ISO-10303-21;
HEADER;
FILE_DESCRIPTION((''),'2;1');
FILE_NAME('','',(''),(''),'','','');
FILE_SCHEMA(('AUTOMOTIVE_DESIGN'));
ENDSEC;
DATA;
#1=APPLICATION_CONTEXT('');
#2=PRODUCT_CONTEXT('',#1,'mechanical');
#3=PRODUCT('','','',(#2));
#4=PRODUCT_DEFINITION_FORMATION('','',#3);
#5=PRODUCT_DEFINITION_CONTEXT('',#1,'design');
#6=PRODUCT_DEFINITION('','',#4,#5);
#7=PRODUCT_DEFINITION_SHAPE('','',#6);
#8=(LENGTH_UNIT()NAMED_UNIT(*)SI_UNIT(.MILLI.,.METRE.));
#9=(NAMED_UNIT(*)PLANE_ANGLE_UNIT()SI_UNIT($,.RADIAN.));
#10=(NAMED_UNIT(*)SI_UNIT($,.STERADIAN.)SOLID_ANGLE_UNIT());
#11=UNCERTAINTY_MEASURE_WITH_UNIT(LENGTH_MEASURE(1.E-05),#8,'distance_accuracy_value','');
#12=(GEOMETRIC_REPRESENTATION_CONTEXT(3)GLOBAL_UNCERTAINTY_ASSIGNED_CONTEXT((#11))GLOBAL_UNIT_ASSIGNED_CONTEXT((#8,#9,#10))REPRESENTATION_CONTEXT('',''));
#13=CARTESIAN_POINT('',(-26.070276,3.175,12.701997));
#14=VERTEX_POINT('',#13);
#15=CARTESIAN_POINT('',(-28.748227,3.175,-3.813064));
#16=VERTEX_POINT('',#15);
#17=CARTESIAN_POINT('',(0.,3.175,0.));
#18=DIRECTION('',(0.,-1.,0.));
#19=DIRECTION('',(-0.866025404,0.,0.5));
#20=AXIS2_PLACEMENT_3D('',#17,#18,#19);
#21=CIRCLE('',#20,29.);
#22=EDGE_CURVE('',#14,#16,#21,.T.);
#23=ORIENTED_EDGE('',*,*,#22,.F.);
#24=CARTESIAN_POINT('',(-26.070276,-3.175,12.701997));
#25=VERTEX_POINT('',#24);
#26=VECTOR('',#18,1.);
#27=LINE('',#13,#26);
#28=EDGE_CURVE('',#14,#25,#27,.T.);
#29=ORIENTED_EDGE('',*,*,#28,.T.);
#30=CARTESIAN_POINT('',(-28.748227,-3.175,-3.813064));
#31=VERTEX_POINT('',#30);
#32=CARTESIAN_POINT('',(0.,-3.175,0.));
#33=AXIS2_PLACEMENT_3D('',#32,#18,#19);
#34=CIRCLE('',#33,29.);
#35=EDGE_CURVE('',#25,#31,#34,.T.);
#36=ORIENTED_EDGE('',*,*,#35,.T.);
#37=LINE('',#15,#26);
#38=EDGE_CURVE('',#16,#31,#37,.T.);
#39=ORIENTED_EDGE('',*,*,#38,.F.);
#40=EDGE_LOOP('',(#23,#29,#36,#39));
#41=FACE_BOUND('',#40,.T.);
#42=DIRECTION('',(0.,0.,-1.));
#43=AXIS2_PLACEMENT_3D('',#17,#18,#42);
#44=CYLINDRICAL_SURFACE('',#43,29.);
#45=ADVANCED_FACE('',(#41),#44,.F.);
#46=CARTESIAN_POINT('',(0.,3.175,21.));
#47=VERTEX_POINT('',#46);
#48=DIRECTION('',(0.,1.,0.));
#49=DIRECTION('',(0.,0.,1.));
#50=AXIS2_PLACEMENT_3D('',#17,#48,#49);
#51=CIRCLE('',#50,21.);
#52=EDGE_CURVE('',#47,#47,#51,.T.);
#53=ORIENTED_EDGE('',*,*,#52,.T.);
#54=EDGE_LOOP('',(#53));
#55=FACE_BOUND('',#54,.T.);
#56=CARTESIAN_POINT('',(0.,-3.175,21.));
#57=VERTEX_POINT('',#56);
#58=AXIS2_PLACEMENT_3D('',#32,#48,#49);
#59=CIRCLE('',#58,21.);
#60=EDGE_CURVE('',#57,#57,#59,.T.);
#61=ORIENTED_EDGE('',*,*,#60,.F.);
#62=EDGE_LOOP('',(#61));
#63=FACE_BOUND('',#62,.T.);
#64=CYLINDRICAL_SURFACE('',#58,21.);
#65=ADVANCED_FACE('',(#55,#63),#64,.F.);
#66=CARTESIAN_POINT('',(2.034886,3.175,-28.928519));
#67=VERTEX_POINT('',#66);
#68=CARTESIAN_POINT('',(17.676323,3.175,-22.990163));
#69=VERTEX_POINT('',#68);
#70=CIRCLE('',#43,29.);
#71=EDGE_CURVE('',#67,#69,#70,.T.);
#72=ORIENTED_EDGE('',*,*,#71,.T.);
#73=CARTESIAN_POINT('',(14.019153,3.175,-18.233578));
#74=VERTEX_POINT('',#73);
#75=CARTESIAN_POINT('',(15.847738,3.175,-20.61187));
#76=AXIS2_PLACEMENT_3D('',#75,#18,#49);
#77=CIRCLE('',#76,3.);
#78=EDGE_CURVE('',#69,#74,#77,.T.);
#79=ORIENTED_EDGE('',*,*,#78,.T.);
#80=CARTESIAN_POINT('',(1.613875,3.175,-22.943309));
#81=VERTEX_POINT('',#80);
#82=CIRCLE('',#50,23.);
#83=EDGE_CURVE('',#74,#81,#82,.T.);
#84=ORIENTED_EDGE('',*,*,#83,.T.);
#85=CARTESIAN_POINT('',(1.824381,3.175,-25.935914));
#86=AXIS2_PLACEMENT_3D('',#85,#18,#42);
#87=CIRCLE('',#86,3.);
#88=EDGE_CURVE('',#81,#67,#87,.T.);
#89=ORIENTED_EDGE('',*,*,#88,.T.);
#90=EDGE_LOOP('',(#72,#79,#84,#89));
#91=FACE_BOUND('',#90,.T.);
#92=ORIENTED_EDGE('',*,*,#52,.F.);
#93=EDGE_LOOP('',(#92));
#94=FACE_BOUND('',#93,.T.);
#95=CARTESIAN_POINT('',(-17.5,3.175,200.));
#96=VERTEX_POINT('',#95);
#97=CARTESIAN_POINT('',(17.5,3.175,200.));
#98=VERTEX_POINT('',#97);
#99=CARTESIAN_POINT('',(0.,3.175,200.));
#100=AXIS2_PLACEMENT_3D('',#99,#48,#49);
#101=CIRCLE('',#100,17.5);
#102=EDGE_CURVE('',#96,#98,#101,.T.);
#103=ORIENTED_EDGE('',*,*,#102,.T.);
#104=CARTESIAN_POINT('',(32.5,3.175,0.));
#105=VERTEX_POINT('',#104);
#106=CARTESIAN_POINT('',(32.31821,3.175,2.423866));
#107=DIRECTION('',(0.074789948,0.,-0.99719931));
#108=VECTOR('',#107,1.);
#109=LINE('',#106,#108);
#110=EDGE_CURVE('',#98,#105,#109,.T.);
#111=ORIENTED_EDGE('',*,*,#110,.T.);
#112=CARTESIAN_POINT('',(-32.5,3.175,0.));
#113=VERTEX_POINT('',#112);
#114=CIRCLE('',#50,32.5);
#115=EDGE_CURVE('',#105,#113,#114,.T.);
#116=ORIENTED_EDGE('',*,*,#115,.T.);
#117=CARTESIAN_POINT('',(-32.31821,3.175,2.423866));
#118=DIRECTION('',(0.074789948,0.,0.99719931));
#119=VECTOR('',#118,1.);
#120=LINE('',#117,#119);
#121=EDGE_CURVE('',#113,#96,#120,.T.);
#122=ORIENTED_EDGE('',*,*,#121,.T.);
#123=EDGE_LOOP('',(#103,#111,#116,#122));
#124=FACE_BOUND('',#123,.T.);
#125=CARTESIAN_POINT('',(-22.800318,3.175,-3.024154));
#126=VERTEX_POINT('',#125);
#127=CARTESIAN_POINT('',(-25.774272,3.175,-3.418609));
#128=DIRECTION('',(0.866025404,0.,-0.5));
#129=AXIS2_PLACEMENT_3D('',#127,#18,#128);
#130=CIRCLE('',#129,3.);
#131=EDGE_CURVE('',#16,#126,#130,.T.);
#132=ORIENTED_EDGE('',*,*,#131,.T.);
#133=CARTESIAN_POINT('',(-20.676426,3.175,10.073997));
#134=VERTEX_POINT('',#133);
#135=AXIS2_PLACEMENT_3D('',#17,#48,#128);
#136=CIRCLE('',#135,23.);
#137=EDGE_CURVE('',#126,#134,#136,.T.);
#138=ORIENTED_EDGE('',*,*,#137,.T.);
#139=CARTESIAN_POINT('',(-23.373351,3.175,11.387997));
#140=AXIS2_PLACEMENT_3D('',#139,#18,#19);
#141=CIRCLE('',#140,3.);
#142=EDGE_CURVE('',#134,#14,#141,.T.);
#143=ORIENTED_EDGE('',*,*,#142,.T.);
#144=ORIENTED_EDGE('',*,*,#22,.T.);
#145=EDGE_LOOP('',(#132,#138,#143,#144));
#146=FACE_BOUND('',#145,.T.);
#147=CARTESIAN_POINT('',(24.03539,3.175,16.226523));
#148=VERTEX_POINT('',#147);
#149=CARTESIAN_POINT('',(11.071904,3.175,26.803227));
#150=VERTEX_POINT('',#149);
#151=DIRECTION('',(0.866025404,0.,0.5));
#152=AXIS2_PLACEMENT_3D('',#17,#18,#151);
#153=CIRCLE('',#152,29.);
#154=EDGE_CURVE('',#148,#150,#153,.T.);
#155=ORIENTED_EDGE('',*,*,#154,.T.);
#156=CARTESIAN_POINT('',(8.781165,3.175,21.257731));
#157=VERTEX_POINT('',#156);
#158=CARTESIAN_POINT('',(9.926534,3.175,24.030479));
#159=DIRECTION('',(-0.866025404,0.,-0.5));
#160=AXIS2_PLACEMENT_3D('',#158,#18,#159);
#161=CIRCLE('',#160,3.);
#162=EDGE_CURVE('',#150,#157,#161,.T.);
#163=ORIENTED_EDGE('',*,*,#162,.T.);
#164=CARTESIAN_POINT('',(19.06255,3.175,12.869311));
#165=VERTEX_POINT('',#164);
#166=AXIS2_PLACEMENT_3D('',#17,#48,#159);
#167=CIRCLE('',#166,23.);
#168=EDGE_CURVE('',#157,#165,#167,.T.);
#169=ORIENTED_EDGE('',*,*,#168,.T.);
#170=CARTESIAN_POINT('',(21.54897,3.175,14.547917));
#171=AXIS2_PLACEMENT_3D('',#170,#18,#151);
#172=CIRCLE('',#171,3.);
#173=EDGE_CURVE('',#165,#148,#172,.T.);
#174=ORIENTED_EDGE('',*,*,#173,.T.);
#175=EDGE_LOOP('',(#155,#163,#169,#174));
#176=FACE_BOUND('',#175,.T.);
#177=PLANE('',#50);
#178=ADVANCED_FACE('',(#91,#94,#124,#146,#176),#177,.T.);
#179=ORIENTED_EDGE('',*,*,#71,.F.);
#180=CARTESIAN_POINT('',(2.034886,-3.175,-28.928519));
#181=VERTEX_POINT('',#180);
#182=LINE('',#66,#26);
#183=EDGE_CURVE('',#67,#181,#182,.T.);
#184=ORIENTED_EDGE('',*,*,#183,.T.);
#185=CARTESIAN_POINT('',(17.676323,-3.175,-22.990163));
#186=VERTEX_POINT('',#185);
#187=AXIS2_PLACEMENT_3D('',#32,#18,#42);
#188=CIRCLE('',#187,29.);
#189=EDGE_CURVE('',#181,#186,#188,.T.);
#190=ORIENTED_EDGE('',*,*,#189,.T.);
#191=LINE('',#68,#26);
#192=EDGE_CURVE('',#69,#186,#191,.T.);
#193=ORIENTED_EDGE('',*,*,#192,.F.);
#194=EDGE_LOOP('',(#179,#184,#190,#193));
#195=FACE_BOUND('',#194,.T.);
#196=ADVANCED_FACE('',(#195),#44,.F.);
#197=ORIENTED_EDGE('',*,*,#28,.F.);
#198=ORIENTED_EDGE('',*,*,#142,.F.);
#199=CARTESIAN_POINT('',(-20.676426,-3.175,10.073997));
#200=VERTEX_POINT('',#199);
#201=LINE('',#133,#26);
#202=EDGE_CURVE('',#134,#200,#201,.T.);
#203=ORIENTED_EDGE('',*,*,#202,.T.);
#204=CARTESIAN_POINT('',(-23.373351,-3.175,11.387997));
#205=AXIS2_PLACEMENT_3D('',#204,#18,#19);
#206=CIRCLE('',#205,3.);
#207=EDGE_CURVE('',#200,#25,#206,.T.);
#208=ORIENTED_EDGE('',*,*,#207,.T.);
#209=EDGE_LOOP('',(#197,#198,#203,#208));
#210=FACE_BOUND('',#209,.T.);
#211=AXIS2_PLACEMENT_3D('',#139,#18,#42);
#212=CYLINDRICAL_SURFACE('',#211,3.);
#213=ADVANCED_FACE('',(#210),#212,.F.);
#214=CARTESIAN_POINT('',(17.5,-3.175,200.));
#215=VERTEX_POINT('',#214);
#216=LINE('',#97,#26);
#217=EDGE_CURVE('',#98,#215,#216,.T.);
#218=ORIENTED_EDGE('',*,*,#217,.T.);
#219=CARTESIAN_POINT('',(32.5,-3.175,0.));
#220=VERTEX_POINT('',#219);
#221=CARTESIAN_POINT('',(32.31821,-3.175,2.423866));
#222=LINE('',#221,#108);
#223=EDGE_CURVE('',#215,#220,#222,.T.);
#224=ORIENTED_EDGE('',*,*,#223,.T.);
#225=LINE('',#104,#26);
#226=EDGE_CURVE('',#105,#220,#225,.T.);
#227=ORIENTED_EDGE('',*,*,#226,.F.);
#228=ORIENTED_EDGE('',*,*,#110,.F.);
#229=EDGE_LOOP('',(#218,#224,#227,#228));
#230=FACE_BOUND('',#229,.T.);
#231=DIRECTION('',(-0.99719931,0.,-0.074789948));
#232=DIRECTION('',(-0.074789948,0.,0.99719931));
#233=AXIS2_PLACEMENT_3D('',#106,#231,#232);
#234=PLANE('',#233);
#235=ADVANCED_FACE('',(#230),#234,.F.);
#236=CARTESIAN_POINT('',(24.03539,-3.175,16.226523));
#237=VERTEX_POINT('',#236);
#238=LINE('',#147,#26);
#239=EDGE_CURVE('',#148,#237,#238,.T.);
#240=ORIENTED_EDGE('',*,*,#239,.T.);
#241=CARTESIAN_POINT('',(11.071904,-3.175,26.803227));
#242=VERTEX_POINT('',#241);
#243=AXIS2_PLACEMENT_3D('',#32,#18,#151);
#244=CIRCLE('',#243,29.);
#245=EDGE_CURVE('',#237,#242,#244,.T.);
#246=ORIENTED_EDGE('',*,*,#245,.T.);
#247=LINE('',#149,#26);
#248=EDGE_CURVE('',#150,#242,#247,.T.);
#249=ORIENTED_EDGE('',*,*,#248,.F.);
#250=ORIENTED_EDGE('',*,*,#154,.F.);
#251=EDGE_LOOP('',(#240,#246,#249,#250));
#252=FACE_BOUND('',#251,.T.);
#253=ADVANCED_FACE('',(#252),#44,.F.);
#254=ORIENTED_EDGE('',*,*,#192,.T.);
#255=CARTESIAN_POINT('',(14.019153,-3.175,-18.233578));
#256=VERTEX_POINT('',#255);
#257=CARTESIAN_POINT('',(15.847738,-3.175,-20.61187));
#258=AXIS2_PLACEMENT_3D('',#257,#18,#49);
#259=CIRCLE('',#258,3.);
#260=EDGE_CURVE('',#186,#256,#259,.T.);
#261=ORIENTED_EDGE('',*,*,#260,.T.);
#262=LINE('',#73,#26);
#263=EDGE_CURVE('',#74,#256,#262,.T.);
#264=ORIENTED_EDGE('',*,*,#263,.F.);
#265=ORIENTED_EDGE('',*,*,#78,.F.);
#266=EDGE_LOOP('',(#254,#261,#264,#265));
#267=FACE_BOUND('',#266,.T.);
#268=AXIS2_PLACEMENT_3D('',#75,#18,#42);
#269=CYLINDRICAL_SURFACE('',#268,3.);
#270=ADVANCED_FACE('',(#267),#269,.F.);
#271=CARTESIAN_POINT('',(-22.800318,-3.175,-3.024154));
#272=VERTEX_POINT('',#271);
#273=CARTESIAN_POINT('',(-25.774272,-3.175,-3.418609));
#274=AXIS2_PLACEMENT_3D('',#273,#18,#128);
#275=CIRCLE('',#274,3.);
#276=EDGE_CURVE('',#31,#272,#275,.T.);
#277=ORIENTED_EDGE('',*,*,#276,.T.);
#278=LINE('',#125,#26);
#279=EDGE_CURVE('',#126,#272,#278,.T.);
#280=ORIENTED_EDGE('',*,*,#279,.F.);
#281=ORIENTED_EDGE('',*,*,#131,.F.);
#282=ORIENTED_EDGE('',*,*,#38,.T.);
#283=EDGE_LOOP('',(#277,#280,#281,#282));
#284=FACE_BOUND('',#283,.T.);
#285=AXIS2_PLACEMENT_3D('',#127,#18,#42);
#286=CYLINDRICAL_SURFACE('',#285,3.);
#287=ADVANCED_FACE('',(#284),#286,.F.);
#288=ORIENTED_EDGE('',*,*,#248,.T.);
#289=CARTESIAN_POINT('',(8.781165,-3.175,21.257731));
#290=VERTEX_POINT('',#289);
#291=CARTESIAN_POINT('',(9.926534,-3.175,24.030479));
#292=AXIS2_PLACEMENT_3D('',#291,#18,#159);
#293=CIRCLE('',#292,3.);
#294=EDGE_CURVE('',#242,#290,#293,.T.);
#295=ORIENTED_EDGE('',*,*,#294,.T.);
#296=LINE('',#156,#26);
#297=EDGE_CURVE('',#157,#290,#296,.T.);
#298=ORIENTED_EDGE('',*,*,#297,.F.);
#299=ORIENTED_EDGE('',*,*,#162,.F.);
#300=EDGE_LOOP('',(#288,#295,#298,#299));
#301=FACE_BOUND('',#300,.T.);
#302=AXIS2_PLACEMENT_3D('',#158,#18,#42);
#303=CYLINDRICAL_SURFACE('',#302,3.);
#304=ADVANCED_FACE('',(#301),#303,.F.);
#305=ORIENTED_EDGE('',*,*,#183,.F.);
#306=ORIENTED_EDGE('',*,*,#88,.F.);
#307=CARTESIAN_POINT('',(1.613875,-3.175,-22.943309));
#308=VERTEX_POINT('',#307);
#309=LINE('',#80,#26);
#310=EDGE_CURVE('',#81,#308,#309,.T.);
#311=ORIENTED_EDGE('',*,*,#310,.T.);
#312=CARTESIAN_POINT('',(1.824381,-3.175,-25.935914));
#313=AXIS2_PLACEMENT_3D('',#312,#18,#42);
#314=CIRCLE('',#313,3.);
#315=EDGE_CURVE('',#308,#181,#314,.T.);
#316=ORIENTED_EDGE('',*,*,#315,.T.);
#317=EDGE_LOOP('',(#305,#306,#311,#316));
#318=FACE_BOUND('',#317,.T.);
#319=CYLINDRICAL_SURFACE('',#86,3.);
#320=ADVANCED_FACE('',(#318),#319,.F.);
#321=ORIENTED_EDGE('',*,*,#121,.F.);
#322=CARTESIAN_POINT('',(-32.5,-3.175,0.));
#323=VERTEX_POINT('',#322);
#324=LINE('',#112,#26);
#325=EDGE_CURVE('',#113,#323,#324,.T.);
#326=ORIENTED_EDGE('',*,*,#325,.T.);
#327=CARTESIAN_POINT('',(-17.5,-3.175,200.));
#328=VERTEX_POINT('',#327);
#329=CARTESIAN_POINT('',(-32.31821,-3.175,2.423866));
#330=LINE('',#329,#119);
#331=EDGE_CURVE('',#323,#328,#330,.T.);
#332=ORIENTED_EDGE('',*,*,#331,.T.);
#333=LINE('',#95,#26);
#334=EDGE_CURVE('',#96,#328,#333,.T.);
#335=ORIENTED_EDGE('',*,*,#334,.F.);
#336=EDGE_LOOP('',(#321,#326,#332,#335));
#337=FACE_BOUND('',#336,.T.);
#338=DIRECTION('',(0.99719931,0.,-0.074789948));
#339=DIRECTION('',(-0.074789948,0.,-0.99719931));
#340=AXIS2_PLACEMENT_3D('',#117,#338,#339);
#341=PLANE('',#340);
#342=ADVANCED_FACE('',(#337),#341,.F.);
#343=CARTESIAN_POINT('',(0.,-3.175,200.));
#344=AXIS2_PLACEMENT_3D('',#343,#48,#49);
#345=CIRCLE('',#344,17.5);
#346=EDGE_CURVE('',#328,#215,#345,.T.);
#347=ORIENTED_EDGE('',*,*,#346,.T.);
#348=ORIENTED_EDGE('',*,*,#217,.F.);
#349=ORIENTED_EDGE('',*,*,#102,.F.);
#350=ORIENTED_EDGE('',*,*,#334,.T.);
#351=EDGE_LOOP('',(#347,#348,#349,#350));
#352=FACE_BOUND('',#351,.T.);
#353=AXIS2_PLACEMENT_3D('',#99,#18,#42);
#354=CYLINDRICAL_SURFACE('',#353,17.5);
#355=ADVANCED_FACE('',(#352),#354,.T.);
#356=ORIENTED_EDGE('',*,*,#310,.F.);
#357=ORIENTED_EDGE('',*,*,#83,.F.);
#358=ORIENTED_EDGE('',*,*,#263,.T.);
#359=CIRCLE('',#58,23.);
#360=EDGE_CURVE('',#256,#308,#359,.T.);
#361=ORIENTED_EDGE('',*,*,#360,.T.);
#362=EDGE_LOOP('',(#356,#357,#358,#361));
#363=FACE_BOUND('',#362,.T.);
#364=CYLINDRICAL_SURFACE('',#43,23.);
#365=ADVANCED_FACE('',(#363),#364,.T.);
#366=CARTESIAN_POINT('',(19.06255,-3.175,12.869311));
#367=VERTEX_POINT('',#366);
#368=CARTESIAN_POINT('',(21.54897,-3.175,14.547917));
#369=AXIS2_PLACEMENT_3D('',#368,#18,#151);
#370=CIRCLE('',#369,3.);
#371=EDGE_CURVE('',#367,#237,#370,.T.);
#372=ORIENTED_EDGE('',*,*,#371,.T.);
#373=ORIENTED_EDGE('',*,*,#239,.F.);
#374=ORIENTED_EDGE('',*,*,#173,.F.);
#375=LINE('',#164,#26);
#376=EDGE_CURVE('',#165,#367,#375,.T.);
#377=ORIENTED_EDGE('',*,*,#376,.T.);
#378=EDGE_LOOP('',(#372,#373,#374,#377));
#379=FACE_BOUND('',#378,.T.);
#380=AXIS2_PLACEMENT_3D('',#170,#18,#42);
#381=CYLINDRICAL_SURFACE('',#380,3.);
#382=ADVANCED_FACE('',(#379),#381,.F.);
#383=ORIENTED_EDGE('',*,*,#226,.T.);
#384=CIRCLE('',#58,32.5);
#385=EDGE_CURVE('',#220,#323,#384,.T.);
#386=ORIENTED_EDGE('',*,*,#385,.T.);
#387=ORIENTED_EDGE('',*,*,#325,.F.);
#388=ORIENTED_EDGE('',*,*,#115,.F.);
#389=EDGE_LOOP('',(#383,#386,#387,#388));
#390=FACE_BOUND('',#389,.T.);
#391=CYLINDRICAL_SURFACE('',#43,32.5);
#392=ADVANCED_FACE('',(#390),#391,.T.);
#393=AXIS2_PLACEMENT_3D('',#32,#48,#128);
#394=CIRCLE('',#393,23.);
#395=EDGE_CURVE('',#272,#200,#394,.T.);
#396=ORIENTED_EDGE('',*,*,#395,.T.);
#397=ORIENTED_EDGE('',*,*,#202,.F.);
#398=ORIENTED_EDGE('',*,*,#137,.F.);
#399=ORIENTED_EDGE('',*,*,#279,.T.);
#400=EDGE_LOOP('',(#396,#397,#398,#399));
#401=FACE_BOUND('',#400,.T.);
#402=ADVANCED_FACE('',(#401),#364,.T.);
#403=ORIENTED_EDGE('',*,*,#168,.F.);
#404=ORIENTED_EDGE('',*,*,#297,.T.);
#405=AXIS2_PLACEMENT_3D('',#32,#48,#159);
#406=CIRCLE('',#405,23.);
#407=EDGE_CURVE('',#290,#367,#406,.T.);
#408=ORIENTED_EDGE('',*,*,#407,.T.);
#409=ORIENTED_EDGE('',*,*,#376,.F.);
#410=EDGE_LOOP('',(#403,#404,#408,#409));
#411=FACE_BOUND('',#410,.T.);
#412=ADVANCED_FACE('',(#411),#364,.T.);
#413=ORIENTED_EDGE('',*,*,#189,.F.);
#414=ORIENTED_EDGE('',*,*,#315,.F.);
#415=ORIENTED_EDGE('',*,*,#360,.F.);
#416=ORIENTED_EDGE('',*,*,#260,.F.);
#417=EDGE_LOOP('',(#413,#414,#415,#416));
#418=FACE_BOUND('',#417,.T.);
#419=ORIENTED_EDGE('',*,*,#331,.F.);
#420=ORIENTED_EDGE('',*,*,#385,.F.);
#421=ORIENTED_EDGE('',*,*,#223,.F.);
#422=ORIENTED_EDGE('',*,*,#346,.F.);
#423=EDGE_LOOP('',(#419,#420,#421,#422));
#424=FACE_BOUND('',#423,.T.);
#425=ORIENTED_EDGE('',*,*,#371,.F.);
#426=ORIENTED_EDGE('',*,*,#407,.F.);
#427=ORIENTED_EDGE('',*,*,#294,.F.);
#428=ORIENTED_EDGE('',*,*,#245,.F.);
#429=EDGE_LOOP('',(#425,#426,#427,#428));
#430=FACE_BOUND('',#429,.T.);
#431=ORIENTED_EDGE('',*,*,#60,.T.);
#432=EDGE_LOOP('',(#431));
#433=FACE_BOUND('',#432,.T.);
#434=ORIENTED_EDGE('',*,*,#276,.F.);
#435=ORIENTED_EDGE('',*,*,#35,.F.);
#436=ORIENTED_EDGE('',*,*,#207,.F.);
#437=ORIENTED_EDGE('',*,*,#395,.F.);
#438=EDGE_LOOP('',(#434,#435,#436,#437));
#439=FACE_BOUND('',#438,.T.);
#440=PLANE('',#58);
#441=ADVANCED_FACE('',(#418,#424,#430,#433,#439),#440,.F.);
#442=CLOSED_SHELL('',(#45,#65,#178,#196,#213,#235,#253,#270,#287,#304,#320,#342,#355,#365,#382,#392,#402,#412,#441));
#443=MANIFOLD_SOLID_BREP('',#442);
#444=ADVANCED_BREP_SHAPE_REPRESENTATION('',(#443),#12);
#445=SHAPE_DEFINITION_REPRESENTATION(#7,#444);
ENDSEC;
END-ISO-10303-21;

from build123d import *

# Parameters (mm, degrees)
SKETCH1_R           = 17.5
BOSS_EXTRUDE1_DEPTH = 3.175
SKETCH2_R           = 21
CUT_EXTRUDE1_DEPTH  = 221.006414679
CUT_EXTRUDE2_DEPTH  = 221.006414679
CIRPATTERN1_COUNT   = 3
CIRPATTERN1_ANGLE   = 240


with BuildPart() as part:
    # Sketch1 → Boss-Extrude1 (new, symmetric)
    with BuildSketch(Plane(origin=(0, 0, 0), x_dir=(1, 0, 0), z_dir=(0, 1, 0))):
        with BuildLine():
            ThreePointArc((32.5, 0), (0, 32.5), (-32.5, 0))
            Line((-32.5, 0), (-32.136420137, -4.84773151))
            ThreePointArc((-32.136420137, -4.84773151), (0, -32.5), (32.136420137, -4.84773151))
            Line((32.136420137, -4.84773151), (32.5, 0))
        make_face()
        with BuildLine():
            ThreePointArc((32.136420137, -4.84773151), (0, -32.5), (-32.136420137, -4.84773151))
            Line((-32.136420137, -4.84773151), (-17.5, -200))
            ThreePointArc((-17.5, -200), (0, -182.5), (17.5, -200))
            Line((17.5, -200), (32.136420137, -4.84773151))
        make_face()
        with Locations((0, -200)):
            Circle(SKETCH1_R)
    extrude(amount=BOSS_EXTRUDE1_DEPTH, both=True)

    # Sketch2 → Cut-Extrude1 (cut, through all)
    with BuildSketch(Plane(origin=(0, 3.175, 0), x_dir=(1, 0, 0), z_dir=(0, 1, 0))):
        with Locations(Location((0, 0, 0), (0, 0, 270))):
            Circle(SKETCH2_R)
    extrude(amount=-CUT_EXTRUDE1_DEPTH, mode=Mode.SUBTRACT)

    # Sketch4 → Cut-Extrude2 (cut, through all)
    with BuildSketch(Plane.XZ.offset(3.175)):
        with BuildLine():
            ThreePointArc((14.019152987, -18.233577529), (8.163533765, -21.502481635), (1.613875121, -22.943308547))
            ThreePointArc((1.613875121, -22.943308547), (-1.168224891, -26.14641946), (2.034886022, -28.928519473))
            ThreePointArc((2.034886022, -28.928519473), (10.293151268, -27.111824671), (17.676323332, -22.990162972))
            ThreePointArc((17.676323332, -22.990162972), (18.226030881, -18.783285078), (14.019152987, -18.233577529))
        make_face()
    cut_extrude2 = extrude(amount=-CUT_EXTRUDE2_DEPTH, mode=Mode.SUBTRACT)

    # CirPattern1: Cut-Extrude2 ×3 about axis
    cirpattern1_axis = Axis((0, 0, 0), (0, 1, 0))
    for i in range(1, CIRPATTERN1_COUNT):
        add(cut_extrude2.rotate(cirpattern1_axis, i * CIRPATTERN1_ANGLE / (CIRPATTERN1_COUNT - 1)), mode=Mode.SUBTRACT)


solid = part.part
